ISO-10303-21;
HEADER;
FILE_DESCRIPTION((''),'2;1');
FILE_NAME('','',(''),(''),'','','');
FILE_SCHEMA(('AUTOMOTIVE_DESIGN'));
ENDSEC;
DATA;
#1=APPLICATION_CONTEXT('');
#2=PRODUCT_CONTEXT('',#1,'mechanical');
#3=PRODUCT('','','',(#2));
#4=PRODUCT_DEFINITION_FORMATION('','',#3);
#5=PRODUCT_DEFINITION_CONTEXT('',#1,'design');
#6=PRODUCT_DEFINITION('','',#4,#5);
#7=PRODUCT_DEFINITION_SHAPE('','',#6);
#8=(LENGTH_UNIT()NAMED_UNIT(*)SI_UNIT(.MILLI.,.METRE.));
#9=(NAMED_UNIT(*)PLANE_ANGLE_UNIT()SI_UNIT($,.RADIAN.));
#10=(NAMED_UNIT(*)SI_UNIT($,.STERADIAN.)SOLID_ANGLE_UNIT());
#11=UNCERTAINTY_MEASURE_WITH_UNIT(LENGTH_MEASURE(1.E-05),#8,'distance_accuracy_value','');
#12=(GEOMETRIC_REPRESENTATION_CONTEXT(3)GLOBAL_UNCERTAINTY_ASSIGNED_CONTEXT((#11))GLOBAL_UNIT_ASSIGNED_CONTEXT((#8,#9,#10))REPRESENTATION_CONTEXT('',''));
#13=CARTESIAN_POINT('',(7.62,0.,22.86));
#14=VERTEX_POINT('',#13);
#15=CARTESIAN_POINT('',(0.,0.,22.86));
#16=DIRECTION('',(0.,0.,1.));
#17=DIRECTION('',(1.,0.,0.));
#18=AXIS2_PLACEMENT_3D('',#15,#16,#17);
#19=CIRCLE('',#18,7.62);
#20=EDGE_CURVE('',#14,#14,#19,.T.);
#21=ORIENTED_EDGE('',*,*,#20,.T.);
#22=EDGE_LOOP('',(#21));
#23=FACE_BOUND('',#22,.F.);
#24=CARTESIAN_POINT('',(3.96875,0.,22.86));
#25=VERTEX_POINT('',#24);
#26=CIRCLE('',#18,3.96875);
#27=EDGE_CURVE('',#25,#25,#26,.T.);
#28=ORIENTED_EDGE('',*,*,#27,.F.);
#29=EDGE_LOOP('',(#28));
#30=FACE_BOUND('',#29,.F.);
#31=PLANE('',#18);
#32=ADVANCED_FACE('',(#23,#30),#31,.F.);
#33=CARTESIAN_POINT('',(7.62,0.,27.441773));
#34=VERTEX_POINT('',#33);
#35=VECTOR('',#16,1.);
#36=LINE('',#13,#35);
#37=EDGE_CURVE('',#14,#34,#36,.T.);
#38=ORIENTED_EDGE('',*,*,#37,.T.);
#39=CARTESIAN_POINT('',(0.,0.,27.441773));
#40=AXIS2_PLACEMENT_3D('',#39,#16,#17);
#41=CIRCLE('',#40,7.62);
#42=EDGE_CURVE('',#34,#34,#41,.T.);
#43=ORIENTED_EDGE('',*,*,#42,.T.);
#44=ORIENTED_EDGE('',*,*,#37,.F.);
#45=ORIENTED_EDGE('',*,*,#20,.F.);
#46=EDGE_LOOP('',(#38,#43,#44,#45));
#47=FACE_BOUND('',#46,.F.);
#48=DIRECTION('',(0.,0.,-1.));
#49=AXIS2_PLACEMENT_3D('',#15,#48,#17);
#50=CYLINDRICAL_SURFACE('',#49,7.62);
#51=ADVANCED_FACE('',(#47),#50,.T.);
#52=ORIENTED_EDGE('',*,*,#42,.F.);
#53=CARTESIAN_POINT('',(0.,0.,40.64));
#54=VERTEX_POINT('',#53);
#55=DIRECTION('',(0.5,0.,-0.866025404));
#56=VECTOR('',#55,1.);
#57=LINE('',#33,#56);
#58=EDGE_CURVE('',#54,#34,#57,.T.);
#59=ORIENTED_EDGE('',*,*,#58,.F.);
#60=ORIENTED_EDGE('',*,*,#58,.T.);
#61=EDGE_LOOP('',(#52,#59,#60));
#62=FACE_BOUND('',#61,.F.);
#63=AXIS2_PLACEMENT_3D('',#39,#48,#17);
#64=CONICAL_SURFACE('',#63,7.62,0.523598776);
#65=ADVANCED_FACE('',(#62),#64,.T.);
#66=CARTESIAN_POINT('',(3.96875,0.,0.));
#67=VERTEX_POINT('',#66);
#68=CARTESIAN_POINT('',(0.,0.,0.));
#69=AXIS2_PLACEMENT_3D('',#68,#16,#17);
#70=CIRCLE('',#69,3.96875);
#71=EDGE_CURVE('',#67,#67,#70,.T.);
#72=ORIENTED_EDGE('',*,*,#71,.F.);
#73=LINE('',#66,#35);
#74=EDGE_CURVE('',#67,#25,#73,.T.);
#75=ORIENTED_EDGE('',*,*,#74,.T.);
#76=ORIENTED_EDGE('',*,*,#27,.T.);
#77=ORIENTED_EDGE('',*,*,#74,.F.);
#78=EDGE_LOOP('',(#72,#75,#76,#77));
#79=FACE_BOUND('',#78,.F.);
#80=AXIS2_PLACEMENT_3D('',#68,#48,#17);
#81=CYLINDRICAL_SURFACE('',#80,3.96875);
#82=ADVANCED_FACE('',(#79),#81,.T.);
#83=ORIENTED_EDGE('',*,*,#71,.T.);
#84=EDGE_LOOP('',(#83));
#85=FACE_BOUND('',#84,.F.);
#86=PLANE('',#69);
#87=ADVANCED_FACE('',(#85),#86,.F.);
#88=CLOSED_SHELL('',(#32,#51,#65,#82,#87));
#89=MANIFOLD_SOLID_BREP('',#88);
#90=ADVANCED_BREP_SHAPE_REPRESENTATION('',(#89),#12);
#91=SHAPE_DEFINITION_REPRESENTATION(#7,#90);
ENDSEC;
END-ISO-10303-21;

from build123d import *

# Parameters (mm, degrees)
F0_R     = 3.96875
F1_DEPTH = 22.86
F2_R     = 7.62
F2_R_2   = 3.96875
F3_DEPTH = 17.78
F4_SIZE2 = 13.1982271537
F4_SIZE  = 7.62


with BuildPart() as f1:
    # F0 (on Top) → F1 (new body)
    with BuildSketch(Plane.XY):
        Circle(F0_R)
    extrude(amount=F1_DEPTH)

    # F2 (on face) → F3 (join)
    with BuildSketch(Plane.XY.offset(22.86)):
        Circle(F2_R)
        Circle(F2_R_2, mode=Mode.SUBTRACT)
        Circle(F2_R_2)
    extrude(amount=F3_DEPTH)

    # F4
    f4_edges = [f1.edges().sort_by_distance(p)[0] for p in [
        (-7.62, 0, 40.64),
    ]]
    f4_side = f1.faces().sort_by_distance((0, 0, 40.64))[0]
    chamfer(f4_edges, length=F4_SIZE, length2=F4_SIZE2, reference=f4_side)


solid = f1.part
